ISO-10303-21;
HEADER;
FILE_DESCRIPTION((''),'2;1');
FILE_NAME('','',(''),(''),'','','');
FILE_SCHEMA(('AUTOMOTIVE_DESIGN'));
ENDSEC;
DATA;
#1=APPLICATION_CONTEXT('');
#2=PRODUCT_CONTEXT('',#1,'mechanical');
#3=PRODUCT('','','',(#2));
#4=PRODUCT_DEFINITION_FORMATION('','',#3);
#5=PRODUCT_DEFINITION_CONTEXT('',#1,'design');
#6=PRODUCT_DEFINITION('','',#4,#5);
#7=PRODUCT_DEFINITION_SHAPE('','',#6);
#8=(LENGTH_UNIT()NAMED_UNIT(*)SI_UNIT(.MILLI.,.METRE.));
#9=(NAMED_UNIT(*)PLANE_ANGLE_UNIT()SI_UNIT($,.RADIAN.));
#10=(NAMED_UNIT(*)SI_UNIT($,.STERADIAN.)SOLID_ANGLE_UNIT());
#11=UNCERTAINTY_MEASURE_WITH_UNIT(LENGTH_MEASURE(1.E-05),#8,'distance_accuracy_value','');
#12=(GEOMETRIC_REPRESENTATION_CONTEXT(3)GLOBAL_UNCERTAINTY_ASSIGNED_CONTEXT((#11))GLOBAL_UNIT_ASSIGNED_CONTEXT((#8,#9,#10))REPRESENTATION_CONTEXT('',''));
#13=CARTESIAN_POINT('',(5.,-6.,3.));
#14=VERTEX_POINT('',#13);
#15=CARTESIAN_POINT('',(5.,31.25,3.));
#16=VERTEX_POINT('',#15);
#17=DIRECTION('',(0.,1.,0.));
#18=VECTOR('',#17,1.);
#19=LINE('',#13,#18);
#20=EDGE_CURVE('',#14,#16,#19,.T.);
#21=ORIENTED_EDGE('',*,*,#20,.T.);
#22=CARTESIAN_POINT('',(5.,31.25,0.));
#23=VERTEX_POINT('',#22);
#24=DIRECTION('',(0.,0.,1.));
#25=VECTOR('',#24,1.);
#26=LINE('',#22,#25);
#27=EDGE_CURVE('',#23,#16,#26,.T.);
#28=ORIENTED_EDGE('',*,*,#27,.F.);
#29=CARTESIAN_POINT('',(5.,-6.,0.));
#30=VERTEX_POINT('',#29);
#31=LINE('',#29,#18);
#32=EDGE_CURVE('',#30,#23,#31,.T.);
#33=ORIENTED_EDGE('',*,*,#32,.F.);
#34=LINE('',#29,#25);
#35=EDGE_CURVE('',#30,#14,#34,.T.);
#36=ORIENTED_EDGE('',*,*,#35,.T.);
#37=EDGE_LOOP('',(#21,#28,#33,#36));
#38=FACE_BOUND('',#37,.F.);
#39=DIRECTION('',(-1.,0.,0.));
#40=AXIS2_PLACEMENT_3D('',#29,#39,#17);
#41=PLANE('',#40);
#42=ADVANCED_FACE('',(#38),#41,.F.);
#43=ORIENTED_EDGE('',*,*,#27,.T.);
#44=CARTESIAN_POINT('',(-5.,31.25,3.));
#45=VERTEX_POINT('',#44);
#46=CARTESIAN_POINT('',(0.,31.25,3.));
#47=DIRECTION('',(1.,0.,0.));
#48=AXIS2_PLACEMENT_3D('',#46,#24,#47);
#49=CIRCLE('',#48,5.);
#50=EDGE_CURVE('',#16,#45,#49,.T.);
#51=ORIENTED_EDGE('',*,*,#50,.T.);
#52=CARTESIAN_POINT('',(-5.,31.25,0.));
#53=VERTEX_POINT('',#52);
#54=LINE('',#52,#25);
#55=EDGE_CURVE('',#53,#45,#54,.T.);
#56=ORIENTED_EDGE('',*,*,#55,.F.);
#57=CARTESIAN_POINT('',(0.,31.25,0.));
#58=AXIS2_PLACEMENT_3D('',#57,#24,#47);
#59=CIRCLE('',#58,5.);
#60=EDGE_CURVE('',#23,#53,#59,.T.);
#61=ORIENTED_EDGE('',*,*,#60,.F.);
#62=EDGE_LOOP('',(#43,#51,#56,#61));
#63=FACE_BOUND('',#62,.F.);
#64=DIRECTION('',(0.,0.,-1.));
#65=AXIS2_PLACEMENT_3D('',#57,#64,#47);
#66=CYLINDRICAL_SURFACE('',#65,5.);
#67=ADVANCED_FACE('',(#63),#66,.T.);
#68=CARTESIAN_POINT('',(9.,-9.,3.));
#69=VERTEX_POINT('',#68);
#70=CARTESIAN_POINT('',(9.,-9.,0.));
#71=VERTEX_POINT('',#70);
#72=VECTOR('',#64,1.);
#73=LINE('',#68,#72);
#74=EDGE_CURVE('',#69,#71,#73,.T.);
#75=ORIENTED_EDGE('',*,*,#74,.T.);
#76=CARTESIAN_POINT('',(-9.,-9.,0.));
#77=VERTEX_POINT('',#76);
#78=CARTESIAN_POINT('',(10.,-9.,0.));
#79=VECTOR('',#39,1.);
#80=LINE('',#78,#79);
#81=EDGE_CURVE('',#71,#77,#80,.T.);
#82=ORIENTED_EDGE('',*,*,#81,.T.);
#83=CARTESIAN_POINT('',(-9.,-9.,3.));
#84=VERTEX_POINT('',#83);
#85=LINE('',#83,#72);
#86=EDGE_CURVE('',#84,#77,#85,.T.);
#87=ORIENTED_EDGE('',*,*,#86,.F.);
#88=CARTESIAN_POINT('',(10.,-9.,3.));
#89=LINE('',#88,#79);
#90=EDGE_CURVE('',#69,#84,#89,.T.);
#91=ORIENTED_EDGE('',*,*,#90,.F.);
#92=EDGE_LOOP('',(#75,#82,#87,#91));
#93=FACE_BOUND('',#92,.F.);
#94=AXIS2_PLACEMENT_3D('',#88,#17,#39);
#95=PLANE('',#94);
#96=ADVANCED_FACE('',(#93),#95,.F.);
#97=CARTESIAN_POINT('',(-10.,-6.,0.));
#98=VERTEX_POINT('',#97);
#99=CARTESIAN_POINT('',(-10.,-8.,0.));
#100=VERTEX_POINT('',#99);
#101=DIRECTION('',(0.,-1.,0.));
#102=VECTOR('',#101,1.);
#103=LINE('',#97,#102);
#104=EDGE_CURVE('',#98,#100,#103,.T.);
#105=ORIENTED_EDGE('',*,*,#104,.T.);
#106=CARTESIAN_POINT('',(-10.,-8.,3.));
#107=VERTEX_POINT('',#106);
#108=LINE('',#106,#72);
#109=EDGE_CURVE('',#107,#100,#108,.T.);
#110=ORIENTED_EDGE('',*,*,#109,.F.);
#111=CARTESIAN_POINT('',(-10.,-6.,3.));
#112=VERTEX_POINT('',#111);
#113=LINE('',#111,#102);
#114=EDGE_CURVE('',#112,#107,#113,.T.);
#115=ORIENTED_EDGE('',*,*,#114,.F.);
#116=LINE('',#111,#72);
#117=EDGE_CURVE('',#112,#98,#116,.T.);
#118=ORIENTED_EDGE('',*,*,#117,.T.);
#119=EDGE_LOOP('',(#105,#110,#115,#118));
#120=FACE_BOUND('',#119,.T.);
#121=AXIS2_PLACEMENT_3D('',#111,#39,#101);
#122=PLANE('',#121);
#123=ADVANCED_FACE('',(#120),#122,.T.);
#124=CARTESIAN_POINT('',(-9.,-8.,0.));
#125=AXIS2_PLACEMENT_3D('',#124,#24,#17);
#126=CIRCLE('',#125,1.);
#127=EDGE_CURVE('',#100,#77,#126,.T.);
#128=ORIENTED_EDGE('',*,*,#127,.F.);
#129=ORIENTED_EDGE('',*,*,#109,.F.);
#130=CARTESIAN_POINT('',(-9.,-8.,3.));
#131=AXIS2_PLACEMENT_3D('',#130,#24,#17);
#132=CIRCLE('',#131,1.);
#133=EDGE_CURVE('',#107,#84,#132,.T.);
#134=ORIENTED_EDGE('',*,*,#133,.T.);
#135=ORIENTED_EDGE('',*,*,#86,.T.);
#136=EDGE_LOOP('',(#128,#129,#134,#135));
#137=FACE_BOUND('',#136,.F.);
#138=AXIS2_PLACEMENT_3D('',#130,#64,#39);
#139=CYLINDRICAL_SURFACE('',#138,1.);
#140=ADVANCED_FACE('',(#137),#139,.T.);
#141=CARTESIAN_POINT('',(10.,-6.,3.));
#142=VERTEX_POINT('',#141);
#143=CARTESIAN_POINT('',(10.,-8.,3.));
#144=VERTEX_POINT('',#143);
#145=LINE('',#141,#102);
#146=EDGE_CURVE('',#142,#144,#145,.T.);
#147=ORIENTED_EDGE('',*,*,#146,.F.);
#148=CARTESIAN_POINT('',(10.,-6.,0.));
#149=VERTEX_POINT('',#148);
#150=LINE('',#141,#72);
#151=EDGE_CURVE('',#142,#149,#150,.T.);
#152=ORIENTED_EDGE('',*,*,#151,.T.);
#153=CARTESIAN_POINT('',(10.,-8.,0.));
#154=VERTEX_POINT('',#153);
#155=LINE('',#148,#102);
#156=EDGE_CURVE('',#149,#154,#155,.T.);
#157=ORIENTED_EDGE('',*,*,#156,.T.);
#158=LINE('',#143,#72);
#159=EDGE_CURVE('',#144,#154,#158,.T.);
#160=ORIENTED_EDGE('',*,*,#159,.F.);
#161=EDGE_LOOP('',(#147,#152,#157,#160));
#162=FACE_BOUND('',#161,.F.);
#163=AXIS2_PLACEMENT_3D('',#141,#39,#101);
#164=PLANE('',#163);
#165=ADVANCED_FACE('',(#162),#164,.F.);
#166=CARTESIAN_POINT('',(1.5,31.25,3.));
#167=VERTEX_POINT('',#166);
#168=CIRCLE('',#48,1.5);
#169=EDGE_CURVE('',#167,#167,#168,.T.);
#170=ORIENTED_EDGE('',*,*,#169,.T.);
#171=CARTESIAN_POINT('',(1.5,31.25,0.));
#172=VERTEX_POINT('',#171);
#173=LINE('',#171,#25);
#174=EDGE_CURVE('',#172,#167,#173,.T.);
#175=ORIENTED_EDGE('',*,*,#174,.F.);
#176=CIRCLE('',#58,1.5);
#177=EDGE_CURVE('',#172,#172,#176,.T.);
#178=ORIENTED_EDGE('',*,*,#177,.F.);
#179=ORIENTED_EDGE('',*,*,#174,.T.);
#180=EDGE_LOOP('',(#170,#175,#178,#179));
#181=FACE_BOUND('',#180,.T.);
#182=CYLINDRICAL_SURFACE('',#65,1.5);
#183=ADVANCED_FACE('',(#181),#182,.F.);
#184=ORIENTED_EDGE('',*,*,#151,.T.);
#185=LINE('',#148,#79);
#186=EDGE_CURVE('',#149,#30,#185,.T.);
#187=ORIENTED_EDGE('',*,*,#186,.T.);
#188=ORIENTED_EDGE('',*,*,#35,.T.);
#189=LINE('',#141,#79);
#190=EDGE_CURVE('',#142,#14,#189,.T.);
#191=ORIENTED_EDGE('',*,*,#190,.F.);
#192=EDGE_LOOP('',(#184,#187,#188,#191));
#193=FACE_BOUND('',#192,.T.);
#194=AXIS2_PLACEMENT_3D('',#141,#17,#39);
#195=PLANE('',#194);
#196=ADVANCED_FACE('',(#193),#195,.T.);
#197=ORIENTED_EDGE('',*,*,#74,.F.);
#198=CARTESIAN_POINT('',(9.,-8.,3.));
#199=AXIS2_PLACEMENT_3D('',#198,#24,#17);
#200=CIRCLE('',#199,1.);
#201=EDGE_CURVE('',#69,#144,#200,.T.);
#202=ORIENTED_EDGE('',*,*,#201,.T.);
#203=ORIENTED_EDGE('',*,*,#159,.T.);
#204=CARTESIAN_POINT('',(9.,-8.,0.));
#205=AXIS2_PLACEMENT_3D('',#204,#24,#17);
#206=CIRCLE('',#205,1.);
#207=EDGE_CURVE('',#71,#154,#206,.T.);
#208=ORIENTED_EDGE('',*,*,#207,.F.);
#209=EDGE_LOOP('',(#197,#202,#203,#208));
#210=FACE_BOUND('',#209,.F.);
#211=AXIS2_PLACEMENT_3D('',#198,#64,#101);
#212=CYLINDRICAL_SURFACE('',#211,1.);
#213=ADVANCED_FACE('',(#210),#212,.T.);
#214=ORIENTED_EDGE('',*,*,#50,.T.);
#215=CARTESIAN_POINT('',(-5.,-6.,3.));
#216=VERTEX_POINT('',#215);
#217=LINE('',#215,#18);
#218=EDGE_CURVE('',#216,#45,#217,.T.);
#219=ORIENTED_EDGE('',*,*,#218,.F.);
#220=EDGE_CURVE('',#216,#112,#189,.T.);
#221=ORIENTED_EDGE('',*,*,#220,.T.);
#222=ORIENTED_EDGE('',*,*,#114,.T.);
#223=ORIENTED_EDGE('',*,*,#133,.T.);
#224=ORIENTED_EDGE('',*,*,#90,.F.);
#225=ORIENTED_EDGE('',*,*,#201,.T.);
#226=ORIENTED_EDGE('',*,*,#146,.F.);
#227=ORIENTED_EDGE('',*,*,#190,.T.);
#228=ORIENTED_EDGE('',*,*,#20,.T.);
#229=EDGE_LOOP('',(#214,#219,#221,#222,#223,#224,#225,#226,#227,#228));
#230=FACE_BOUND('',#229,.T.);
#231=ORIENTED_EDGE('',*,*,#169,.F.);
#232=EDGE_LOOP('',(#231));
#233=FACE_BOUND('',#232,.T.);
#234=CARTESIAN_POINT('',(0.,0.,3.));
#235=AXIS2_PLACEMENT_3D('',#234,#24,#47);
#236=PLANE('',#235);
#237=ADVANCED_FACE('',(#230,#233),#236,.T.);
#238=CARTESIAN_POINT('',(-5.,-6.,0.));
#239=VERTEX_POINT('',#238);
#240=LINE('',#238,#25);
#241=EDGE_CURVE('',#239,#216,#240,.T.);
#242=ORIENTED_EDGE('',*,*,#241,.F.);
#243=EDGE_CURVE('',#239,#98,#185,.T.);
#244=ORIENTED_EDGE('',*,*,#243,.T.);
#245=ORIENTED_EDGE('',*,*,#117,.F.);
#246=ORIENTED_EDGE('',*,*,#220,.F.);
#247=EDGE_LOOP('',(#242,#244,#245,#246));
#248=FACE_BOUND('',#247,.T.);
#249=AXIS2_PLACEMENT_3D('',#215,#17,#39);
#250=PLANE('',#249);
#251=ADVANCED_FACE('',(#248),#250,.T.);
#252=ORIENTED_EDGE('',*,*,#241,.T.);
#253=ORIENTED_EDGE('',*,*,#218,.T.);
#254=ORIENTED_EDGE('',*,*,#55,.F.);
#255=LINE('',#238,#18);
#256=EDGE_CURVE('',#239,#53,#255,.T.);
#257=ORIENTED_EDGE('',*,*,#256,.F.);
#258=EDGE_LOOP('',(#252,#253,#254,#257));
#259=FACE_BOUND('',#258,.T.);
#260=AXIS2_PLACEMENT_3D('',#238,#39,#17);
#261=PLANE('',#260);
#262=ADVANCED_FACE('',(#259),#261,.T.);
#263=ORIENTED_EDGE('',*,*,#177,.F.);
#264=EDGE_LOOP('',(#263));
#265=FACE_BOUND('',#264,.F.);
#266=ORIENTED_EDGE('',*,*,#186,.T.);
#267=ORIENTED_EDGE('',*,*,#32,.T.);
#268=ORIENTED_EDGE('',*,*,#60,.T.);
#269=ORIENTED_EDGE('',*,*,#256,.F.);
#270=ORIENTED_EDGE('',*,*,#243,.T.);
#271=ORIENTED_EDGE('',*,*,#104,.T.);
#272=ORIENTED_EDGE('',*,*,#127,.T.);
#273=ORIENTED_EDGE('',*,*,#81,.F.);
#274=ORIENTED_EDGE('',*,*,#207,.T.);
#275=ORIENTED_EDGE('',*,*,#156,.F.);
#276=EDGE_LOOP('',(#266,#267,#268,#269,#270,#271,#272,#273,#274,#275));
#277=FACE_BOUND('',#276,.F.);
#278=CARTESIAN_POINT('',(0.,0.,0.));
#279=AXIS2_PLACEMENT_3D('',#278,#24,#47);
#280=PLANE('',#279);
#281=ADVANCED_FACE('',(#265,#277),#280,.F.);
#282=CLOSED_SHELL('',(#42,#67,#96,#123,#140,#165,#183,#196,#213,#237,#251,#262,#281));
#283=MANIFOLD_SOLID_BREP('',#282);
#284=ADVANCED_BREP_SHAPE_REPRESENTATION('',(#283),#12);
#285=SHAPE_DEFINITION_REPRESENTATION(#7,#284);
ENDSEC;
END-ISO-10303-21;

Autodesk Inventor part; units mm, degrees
ref_plane "YZ Plane" through (0, 0, 0) normal (1, 0, 0) x (0, 1, 0)
ref_plane "XZ Plane" through (0, 0, 0) normal (0, 1, 0) x (-1, 0, 0)
ref_plane "XY Plane" through (0, 0, 0) normal (0, 0, 1) x (1, 0, 0)
sketch "Sketch1" plane through (0, 0, 0) normal (0, 0, 1) x (1, 0, 0)
  line L0 (5, -6) -> (-5, -6)
  circle A0 centre (0, 31.25) radius 1.5
  arc A1 (5, 31.25) -> (-5, 31.25) centre (0, 31.25) ccw
  line L1 (-5, -6) -> (-5, 31.25)
  line L2 (5, -6) -> (5, 31.25)
  point P0 (0, 0)
  point P1 (0, 0)
  point P2 (0, -6)
  point P3 (0, -6)
  dimension "d2" = 3
  dimension "d13" = 10
  dimension "d15" = 37.25
  dimension "d16" = 6
extrude "Extrusion1" add sketch "Sketch1" along normal blind 3
sketch "Sketch2" plane through (0, 0, 3) normal (0, 0, 1) x (1, 0, 0)
  line L0 (10, -6) -> (10, -9)
  line L1 (10, -9) -> (-10, -9)
  line L2 (-5, -6) -> (5, -6) projected
  line L3 (5, -6) -> (5, 31.25) projected
  line L4 (10, -6) -> (-10, -6)
  line L5 (-10, -6) -> (-10, -9)
  line L6 (-5, 31.25) -> (-5, -6) projected
  point P0 (0, 0)
  dimension "d5" = 3
  dimension "d17" = 5
  dimension "d18" = 5
extrude "Extrusion2" add sketch "Sketch2" against normal blind 3
fillet "Fillet1" radius 1 2 edges at (-10, -9, 1.5) (10, -9, 1.5)
properties part number "arm3"
